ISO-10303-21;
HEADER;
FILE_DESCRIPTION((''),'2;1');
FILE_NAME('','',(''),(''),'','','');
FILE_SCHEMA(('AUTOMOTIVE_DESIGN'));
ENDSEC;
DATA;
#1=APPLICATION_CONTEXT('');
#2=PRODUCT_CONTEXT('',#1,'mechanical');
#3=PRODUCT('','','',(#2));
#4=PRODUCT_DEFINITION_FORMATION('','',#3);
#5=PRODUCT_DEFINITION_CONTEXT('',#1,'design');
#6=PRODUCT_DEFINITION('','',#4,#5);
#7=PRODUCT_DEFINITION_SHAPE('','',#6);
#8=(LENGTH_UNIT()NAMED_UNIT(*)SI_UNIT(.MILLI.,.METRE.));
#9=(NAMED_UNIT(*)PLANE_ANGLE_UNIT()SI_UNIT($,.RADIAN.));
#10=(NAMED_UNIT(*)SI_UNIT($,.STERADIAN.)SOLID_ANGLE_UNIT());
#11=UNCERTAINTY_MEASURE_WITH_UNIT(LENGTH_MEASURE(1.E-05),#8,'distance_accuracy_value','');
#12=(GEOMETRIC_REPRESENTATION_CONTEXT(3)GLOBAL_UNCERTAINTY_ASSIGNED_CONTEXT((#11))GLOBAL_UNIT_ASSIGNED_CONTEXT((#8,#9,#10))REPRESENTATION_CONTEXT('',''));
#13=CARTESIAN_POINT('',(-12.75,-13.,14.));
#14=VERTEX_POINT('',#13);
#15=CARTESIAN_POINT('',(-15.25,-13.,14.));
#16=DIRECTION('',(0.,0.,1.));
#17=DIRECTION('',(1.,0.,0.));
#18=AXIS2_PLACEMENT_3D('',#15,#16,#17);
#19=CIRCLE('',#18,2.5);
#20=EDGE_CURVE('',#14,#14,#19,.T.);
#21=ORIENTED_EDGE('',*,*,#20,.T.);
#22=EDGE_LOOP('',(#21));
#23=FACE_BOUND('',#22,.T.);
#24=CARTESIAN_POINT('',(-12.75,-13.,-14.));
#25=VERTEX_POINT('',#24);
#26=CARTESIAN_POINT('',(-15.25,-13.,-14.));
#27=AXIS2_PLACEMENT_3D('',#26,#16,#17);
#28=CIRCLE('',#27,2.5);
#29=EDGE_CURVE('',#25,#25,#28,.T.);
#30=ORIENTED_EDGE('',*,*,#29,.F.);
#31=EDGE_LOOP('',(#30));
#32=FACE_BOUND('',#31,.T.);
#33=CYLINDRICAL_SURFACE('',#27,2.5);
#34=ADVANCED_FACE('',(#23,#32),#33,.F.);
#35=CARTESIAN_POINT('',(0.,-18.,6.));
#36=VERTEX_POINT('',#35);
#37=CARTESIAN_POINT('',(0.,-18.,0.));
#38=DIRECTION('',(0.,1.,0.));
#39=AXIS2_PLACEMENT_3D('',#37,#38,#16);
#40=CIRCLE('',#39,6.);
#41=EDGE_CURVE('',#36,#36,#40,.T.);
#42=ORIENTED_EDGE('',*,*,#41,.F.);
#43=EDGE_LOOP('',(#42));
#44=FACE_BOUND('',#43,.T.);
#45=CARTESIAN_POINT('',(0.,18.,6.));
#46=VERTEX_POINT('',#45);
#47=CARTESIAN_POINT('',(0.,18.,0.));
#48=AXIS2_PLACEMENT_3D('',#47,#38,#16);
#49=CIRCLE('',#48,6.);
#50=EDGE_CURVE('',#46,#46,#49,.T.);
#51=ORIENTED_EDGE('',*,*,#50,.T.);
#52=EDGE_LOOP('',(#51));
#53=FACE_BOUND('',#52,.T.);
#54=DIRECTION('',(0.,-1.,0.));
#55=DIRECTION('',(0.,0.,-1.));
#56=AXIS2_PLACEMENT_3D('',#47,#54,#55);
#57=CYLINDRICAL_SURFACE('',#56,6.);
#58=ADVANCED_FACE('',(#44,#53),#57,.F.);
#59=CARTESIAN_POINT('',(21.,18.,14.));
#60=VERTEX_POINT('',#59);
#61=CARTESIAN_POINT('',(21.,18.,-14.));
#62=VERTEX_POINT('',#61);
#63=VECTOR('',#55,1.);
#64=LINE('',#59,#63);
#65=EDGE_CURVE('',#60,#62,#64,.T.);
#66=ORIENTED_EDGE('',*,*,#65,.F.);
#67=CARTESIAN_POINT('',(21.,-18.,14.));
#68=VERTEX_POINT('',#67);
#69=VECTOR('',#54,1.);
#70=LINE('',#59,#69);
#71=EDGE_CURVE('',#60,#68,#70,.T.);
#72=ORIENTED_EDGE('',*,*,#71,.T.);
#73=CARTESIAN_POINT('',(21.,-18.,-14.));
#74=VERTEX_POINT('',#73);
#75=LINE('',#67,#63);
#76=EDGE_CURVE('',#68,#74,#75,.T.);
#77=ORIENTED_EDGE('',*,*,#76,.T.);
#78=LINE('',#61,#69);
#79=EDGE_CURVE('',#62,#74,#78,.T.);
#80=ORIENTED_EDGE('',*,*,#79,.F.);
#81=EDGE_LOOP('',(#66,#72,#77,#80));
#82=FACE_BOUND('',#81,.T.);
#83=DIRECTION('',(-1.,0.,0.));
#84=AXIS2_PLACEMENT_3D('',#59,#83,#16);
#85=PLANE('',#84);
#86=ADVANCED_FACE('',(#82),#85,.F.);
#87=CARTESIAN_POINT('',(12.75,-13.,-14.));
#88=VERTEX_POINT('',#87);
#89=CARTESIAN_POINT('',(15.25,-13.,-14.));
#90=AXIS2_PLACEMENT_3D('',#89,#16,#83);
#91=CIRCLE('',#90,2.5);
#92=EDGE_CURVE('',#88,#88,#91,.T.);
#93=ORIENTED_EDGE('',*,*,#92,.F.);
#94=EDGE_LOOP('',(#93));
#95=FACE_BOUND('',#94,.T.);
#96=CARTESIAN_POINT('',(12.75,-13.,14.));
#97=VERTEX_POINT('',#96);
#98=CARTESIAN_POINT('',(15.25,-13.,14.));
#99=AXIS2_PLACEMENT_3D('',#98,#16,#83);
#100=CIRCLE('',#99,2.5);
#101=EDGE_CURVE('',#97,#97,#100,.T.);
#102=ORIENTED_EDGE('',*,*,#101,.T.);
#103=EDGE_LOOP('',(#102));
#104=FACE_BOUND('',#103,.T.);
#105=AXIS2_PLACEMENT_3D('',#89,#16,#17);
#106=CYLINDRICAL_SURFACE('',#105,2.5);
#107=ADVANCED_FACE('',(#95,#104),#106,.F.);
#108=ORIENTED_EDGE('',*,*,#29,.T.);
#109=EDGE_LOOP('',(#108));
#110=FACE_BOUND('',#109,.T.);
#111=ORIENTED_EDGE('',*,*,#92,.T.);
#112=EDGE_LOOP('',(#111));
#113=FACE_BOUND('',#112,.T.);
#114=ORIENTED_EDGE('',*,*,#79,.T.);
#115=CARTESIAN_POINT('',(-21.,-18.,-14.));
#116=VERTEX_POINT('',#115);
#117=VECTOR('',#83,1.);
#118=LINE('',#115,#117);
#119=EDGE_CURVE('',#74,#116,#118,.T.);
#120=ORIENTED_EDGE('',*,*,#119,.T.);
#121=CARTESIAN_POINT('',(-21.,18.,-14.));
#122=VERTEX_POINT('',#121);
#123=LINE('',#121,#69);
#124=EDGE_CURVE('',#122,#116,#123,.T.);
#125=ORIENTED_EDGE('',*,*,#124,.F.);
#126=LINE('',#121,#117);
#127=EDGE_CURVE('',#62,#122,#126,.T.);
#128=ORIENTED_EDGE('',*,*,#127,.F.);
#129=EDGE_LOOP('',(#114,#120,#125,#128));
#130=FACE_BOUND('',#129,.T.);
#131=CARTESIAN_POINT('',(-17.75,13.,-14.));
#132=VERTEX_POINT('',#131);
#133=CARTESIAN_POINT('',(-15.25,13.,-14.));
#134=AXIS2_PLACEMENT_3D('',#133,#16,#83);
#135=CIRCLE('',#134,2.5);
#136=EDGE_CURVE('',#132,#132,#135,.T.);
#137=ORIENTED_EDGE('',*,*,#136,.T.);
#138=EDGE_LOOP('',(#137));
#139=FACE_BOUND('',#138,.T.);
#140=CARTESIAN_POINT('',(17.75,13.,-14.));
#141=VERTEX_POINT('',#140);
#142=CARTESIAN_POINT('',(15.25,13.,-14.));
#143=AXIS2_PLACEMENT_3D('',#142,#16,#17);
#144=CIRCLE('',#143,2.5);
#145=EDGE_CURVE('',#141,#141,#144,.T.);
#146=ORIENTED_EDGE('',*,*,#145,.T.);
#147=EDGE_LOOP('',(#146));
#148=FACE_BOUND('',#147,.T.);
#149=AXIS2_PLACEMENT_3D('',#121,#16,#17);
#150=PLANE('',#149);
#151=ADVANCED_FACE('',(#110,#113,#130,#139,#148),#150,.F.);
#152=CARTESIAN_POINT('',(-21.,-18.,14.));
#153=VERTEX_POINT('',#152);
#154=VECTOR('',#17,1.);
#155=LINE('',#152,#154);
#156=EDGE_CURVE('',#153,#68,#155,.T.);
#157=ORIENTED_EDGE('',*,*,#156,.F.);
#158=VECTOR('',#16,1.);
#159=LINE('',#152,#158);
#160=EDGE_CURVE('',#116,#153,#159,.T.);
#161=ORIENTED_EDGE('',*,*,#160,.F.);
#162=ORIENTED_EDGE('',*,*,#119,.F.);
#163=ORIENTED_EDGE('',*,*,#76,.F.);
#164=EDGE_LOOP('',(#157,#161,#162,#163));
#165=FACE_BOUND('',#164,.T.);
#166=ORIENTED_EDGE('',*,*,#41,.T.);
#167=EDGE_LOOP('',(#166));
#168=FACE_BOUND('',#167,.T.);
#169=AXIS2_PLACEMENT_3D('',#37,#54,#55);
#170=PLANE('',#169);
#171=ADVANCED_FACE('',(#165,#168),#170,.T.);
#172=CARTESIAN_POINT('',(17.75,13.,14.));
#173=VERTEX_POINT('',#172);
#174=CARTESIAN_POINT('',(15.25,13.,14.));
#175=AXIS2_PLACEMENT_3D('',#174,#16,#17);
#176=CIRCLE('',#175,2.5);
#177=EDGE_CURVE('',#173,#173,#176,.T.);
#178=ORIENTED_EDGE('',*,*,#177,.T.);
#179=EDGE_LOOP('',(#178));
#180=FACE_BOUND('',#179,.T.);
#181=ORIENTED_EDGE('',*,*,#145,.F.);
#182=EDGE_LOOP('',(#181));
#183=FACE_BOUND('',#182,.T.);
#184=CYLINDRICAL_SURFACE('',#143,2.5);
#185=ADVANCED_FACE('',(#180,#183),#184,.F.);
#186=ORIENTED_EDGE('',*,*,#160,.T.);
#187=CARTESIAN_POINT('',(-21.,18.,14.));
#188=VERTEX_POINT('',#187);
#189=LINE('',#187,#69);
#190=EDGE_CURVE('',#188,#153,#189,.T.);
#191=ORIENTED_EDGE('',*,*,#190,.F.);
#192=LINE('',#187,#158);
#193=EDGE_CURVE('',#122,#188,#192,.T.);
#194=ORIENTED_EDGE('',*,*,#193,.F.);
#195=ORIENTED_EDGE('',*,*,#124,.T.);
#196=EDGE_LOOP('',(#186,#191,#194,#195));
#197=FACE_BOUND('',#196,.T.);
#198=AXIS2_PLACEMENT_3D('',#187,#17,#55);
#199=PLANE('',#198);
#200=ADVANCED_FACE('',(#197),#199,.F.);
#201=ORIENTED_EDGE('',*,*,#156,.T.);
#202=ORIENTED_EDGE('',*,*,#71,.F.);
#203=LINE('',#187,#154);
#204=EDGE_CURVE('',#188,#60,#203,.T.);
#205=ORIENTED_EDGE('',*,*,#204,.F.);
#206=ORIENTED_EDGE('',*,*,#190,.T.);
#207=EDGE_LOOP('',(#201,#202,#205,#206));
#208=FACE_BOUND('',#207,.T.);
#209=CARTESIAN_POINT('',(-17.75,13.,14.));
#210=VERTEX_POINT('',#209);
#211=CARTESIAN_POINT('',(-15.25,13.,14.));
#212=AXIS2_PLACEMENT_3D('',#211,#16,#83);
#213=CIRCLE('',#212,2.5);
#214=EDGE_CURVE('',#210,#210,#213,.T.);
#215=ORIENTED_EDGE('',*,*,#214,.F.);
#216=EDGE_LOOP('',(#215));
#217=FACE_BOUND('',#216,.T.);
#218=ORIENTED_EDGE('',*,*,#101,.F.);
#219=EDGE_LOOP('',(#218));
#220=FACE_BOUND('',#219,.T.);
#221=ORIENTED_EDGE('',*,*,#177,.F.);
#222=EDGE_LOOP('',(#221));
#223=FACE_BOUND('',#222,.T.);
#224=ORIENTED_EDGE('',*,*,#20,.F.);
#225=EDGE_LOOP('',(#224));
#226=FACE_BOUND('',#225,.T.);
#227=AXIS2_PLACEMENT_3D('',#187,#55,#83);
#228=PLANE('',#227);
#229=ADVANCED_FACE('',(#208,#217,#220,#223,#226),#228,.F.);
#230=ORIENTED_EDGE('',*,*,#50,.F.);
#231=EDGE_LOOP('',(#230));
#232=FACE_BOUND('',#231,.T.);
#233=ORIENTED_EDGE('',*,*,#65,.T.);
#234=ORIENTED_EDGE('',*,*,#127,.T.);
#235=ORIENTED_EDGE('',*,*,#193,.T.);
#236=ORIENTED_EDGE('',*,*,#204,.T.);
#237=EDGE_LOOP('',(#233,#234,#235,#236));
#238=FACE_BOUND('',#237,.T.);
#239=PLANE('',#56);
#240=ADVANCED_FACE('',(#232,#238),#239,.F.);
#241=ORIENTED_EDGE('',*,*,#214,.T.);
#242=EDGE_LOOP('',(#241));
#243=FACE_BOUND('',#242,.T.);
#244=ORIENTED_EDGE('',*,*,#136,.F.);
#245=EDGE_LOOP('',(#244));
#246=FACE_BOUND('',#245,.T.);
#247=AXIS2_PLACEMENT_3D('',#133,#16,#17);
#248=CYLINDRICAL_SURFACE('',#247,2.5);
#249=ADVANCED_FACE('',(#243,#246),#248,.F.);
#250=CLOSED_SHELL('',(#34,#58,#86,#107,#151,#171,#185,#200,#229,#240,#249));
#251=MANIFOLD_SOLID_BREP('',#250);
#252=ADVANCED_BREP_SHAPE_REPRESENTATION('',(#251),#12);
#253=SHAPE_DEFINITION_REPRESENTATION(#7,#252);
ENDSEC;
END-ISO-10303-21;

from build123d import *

# Parameters (mm, degrees)
SKETCH_1_W               = 42
SKETCH_1_H               = 28
SKETCH_1_R               = 6
EXTRUDE_2_DEPTH          = 18
EXTRUDE_START            = -18
SKETCH_1_2_W             = 42
SKETCH_1_2_H             = 28
SKETCH_1_2_R             = 6
EXTRUDE_3_DEPTH          = 18
CUT_EXTRUDE_3_DEPTH      = 32
CUT_EXTRUDE_3_DEPTH_BACK = 32
SKETCH_3_R               = 2.5


with BuildPart() as part:
    # 草图1 → 凸台-拉伸2 (new body)
    with BuildSketch(Plane(origin=(0, 0, 0), x_dir=(1, 0, 0), z_dir=(0, 1, 0))):
        Rectangle(SKETCH_1_W, SKETCH_1_H)
        Circle(SKETCH_1_R, mode=Mode.SUBTRACT)
    extrude(amount=EXTRUDE_2_DEPTH)

    # 草图1<2> → 凸台-拉伸3 (add)
    with BuildSketch(Plane(origin=(0, 0, 0), x_dir=(1, 0, 0), z_dir=(0, 1, 0)).offset(EXTRUDE_START)):
        Rectangle(SKETCH_1_2_W, SKETCH_1_2_H)
        Circle(SKETCH_1_2_R, mode=Mode.SUBTRACT)
    extrude(amount=EXTRUDE_3_DEPTH)

    # 草图3 → 切除-拉伸3 (cut, two sides: drawn at the far end of the back side and taken through both)
    with BuildSketch(Plane.XY.offset(-CUT_EXTRUDE_3_DEPTH_BACK)):
        with Locations((15.25, 13)):
            Circle(SKETCH_3_R)
        with Locations((-15.25, 13)):
            Circle(SKETCH_3_R)
        with Locations((15.25, -13)):
            Circle(SKETCH_3_R)
        with Locations((-15.25, -13)):
            Circle(SKETCH_3_R)
    extrude(amount=CUT_EXTRUDE_3_DEPTH + CUT_EXTRUDE_3_DEPTH_BACK, mode=Mode.SUBTRACT)


solid = part.part
